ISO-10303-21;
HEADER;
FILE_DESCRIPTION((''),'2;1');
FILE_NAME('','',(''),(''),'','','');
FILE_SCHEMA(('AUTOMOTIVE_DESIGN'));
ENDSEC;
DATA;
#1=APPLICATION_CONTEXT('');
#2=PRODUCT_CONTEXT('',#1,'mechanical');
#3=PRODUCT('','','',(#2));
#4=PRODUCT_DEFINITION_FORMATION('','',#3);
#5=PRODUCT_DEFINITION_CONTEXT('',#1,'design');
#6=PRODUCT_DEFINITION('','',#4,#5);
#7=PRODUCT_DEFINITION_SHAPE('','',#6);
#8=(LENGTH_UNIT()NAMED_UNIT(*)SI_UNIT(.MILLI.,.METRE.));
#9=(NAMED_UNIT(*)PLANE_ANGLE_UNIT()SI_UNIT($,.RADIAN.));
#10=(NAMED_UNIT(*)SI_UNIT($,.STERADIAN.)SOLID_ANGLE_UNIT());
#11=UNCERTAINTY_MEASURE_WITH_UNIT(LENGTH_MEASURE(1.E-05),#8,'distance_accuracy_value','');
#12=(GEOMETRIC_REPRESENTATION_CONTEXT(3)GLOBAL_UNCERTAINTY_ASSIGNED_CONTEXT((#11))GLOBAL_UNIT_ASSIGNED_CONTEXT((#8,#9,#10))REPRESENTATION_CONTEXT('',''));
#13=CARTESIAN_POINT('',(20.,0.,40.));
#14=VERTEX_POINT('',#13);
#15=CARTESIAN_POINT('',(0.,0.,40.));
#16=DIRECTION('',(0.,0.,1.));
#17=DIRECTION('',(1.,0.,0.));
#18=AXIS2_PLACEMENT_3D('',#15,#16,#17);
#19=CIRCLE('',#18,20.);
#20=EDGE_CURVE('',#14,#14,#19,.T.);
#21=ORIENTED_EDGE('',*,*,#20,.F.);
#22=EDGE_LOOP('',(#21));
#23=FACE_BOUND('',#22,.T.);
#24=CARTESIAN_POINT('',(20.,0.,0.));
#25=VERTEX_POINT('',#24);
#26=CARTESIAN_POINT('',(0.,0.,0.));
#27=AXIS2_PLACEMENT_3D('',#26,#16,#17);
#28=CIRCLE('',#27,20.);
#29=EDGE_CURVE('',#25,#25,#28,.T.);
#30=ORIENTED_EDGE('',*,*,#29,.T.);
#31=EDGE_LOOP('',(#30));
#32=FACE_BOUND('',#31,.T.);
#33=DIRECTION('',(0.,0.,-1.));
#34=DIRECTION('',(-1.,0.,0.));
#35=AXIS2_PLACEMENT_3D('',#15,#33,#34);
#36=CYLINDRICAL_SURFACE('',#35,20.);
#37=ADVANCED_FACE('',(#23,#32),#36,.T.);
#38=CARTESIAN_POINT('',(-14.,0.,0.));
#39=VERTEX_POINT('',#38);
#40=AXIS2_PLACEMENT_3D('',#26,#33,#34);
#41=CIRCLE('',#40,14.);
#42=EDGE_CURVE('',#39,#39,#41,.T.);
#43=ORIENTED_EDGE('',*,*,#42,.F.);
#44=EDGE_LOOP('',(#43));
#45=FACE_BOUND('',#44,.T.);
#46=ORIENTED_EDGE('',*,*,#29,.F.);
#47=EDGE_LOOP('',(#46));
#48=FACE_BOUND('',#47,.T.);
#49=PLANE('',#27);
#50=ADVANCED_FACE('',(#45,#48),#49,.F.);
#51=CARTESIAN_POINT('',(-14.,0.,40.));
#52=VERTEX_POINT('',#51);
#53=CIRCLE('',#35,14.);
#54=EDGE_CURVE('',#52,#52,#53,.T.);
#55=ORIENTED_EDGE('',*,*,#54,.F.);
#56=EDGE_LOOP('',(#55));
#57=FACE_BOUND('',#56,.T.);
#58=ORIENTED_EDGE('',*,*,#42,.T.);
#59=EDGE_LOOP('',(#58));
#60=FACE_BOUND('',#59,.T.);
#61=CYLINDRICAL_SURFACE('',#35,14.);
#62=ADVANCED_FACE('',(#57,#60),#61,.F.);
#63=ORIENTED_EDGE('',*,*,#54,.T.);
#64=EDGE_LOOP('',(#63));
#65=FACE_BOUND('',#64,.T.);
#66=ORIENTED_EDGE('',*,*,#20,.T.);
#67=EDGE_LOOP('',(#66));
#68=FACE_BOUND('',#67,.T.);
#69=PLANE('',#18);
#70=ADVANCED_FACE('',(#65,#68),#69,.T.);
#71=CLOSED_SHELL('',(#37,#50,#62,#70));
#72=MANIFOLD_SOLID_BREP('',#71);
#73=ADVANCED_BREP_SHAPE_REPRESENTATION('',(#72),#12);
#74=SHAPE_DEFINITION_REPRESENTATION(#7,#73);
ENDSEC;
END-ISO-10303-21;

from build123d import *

# Parameters (mm, degrees)
SKETCH1_R           = 20
BOSS_EXTRUDE1_DEPTH = 40
SKETCH4_R           = 14
CUT_EXTRUDE1_DEPTH  = 40


with BuildPart() as part:
    # Sketch1 → Boss-Extrude1 (new body)
    with BuildSketch(Plane.XY):
        Circle(SKETCH1_R)
    extrude(amount=BOSS_EXTRUDE1_DEPTH)

    # Sketch4 → Cut-Extrude1 (cut)
    with BuildSketch(Plane(origin=(0, 0, 0), x_dir=(-1, 0, 0), z_dir=(0, 0, -1))):
        Circle(SKETCH4_R)
    extrude(amount=-CUT_EXTRUDE1_DEPTH, mode=Mode.SUBTRACT)


solid = part.part
